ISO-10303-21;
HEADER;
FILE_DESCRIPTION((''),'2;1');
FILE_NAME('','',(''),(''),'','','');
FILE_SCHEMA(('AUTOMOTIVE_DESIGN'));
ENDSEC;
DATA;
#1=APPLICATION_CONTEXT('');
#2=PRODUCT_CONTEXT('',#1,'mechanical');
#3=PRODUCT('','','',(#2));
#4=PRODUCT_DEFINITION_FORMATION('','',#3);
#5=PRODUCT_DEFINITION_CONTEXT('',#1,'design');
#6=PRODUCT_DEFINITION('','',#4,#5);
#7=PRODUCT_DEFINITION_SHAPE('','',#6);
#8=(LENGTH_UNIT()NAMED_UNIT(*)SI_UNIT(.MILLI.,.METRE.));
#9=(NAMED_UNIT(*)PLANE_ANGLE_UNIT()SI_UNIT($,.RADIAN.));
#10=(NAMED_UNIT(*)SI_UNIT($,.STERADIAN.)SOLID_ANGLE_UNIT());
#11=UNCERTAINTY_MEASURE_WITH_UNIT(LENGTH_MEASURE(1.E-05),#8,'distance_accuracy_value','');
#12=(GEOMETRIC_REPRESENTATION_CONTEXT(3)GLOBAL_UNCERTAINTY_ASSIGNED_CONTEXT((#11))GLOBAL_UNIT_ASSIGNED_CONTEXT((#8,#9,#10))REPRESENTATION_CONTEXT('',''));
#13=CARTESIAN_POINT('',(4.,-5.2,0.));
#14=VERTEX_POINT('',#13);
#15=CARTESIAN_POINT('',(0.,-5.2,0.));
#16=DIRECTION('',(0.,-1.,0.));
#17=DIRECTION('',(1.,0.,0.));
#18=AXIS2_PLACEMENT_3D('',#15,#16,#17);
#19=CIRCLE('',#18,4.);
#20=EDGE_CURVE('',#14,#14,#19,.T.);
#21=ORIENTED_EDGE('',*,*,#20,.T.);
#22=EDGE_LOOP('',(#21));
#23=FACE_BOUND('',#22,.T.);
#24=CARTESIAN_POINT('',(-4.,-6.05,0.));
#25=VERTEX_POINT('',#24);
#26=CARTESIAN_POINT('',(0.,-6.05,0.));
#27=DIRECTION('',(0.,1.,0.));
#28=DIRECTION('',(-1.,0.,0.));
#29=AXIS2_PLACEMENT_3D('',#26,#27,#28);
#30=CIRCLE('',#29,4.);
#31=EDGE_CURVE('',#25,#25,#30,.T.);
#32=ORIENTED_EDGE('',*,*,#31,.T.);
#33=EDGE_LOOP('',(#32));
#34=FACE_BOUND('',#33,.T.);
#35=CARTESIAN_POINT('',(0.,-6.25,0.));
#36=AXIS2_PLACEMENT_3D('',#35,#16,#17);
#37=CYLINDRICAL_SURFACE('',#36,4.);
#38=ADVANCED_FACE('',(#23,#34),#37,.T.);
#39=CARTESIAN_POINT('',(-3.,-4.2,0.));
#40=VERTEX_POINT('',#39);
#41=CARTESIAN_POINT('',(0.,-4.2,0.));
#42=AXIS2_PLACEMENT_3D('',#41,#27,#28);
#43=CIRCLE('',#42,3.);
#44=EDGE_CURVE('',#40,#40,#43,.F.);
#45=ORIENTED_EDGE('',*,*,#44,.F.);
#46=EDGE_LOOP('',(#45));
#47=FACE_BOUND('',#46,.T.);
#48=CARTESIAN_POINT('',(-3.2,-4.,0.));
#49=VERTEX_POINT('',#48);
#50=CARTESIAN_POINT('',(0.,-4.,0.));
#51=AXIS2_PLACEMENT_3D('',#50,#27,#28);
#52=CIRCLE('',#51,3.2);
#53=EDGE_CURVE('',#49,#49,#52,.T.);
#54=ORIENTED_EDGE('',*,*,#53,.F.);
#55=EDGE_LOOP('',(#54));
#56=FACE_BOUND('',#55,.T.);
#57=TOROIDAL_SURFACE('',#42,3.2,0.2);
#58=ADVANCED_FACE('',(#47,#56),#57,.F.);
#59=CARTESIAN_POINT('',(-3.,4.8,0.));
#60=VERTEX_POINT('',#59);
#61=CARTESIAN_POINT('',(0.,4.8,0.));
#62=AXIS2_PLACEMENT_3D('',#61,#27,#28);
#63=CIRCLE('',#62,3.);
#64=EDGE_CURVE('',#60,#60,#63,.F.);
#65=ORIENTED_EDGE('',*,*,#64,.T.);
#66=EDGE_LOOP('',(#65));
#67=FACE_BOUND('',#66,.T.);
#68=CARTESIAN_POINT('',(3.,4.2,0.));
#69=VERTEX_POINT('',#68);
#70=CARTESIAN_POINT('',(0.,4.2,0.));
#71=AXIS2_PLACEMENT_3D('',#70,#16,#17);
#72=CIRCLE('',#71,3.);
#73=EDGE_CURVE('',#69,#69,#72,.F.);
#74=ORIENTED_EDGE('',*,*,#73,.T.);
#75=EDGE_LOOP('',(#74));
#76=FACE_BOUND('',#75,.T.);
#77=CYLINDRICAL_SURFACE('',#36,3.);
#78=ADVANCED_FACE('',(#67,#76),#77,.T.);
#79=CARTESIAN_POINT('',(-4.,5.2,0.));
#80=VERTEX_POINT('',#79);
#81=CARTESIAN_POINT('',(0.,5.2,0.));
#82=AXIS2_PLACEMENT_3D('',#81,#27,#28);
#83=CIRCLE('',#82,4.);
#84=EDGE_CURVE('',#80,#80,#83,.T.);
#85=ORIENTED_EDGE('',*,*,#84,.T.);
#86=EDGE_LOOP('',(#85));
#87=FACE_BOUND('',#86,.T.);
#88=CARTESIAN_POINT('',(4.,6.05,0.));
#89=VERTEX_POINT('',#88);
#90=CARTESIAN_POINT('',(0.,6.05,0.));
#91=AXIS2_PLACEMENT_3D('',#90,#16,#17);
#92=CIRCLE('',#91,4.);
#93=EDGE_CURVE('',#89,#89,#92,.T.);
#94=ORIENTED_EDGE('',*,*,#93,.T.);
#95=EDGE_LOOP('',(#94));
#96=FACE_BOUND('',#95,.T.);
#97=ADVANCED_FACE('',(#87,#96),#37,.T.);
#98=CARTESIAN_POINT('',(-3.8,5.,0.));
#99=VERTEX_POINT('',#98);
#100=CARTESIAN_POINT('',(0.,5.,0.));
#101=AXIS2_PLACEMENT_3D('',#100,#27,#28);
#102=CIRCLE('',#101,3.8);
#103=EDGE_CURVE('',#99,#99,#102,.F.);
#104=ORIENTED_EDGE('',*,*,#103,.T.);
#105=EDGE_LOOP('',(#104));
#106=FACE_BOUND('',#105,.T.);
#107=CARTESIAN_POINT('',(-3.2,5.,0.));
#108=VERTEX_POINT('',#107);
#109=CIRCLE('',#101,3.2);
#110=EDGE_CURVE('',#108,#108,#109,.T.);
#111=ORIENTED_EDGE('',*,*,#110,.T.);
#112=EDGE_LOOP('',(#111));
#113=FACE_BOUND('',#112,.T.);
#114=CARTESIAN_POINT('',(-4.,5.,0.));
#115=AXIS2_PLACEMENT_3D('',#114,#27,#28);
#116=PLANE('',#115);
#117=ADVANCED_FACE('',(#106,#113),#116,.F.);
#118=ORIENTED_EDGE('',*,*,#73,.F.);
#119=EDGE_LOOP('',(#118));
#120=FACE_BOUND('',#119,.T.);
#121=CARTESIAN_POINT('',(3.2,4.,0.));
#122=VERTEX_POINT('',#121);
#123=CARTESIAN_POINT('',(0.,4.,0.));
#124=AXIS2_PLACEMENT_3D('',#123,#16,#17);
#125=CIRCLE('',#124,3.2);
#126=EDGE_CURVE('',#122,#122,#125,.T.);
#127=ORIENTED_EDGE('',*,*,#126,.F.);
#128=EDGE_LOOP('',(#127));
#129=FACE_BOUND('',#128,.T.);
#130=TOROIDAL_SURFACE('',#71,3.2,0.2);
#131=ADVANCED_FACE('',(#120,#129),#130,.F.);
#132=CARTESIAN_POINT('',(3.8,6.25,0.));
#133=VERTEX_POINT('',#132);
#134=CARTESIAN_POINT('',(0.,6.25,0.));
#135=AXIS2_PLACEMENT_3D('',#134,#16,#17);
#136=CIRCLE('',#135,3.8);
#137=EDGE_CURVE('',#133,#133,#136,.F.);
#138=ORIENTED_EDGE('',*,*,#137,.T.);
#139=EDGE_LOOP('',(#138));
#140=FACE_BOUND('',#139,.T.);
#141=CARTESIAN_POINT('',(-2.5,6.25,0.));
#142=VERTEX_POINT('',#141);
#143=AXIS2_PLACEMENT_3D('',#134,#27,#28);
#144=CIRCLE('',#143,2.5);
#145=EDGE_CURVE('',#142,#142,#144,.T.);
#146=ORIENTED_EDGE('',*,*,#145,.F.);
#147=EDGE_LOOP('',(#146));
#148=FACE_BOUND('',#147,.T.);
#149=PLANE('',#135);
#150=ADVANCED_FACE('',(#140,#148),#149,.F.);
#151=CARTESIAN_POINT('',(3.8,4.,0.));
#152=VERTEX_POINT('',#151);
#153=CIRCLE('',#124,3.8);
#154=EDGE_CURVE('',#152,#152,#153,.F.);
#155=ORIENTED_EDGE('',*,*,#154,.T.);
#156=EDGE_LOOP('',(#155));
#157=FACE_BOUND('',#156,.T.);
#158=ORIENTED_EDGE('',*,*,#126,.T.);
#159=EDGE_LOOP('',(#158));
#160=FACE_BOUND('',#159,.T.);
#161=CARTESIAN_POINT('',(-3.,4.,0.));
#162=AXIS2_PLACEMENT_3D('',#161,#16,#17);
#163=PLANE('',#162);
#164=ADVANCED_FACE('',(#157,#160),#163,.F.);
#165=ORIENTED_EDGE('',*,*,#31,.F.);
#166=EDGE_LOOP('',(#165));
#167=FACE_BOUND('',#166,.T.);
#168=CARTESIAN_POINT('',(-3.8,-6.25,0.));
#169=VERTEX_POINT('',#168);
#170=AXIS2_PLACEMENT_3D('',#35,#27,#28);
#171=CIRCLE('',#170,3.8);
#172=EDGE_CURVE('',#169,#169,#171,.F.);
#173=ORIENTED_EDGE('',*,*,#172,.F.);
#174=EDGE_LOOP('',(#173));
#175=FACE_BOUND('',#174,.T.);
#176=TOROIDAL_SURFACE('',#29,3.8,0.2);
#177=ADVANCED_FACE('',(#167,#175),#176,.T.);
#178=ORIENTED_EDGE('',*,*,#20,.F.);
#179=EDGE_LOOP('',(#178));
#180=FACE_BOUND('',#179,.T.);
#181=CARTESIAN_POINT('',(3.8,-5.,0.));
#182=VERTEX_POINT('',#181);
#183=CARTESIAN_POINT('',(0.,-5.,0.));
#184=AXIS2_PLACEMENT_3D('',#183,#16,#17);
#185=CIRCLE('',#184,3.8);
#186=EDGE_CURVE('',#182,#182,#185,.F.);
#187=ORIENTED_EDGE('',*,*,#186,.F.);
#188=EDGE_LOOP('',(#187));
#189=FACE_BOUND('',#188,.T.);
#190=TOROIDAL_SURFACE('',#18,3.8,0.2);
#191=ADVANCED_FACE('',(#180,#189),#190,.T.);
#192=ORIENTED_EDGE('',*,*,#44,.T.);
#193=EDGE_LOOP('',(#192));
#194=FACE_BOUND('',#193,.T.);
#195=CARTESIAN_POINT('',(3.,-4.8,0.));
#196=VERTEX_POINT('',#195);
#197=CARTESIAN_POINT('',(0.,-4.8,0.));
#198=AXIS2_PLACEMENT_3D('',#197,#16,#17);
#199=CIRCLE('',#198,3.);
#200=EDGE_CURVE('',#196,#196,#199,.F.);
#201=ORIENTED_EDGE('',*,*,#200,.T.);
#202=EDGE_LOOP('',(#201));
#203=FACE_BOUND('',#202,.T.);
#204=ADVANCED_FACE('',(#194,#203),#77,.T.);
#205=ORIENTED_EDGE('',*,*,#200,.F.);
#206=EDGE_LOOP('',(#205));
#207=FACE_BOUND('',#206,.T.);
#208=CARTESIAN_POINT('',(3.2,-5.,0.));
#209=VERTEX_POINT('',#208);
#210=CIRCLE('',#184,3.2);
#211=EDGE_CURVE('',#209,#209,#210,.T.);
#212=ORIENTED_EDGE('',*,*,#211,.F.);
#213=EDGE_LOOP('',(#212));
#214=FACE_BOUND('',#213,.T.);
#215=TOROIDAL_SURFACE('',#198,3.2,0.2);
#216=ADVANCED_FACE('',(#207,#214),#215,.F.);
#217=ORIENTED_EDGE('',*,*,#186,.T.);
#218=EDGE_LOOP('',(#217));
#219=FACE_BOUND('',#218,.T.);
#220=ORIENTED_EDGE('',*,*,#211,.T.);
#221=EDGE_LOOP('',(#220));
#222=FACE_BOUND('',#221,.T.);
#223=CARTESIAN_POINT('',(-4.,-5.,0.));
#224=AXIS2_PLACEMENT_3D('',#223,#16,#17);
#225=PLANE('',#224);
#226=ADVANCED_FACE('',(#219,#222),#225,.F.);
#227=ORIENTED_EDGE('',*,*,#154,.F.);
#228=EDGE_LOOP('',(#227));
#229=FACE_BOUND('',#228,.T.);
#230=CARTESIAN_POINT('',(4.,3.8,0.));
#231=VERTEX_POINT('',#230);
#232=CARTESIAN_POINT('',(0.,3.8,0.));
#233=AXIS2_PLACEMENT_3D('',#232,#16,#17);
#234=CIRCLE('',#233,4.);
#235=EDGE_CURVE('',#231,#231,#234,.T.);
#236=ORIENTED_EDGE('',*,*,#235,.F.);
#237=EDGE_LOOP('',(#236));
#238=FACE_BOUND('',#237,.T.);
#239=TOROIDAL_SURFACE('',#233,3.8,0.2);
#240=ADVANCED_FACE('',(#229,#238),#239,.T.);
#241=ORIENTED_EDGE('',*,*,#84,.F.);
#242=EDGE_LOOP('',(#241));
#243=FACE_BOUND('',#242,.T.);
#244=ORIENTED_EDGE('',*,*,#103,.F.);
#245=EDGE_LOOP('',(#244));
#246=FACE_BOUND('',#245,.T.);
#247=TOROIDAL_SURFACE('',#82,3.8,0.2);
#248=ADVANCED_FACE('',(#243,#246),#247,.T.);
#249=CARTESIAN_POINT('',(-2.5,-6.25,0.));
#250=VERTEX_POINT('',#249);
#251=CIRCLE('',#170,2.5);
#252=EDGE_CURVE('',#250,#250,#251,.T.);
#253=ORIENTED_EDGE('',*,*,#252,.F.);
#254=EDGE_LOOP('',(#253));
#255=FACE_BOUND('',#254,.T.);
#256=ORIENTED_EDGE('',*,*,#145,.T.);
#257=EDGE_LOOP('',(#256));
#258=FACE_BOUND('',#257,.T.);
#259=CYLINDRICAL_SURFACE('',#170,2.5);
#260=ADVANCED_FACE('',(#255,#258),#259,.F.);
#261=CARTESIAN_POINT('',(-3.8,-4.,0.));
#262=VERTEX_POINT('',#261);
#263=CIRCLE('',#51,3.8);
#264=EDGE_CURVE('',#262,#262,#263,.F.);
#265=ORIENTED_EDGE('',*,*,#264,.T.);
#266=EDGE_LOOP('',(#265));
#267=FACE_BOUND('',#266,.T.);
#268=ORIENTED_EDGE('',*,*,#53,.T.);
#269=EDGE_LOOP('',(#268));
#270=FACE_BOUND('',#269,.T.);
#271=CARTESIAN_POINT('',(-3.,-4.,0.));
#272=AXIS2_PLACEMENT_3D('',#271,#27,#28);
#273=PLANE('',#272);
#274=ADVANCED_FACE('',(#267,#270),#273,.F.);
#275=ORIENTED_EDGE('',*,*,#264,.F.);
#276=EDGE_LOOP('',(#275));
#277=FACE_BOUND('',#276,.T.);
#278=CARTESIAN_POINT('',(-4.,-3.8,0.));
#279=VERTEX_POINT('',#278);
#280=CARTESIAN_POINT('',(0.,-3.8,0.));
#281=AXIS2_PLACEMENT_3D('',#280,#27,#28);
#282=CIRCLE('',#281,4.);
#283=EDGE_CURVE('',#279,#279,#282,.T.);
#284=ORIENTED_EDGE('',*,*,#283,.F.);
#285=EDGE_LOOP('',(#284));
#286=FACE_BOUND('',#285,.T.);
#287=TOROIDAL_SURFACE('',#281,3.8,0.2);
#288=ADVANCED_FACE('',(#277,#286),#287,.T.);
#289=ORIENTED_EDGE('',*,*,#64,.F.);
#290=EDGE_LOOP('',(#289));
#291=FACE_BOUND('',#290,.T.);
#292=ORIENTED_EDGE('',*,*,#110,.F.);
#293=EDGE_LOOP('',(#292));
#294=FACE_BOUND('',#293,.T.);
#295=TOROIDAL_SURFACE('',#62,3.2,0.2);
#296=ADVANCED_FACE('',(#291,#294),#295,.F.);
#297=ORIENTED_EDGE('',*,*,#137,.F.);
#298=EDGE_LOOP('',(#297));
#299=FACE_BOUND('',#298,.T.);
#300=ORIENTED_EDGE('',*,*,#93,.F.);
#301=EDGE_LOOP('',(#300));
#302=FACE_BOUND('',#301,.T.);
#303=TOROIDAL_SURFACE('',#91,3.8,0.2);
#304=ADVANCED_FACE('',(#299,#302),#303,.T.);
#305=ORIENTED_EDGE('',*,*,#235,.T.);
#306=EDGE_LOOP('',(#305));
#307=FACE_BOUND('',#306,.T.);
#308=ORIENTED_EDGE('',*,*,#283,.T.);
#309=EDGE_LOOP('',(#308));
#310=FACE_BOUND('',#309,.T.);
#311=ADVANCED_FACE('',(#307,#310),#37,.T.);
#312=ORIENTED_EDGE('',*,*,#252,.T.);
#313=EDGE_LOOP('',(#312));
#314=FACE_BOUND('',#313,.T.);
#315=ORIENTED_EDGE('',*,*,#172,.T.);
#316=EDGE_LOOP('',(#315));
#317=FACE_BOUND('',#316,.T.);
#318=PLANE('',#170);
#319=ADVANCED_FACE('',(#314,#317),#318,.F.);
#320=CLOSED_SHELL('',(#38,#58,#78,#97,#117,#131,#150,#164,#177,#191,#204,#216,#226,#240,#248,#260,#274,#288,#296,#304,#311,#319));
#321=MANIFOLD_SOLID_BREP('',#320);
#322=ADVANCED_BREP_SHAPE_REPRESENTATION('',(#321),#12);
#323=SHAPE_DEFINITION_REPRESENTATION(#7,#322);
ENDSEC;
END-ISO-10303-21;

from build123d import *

# Parameters (mm, degrees)
FILLET1_R          = 0.2
SKETCH2_R          = 2.5
CUT_EXTRUDE1_DEPTH = 14.720422792


with BuildPart() as part:
    # Sketch1 → Revolve1 (revolve)
    with BuildSketch(Plane.XY, mode=Mode.PRIVATE) as revolve1_sk:
        Polygon((0, 6.25), (-4, 6.25), (-4, 5), (-3, 5), (-3, 4), (-4, 4), (-4, -4), (-3, -4), (-3, -5), (-4, -5), (-4, -6.25), (0, -6.25), align=None)
    revolve(revolve1_sk.sketch.rotate(Axis((0, -6.25, 0), (0, 1, 0)), 180), axis=Axis((0, -6.25, 0), (0, 1, 0)))

    # Fillet1
    fillet1_edges = [part.edges().sort_by_distance(p)[0] for p in [
        (-3, -4, 0),
        (-4, -4, 0),
        (-4, 4, 0),
        (-3, 4, 0),
        (-3, 5, 0),
        (-4, 5, 0),
        (-4, 6.25, 0),
        (-4, -6.25, 0),
        (-4, -5, 0),
        (-3, -5, 0),
    ]]
    fillet(fillet1_edges, radius=FILLET1_R)

    # Sketch2 → Cut-Extrude1 (cut, through all)
    with BuildSketch(Plane(origin=(0, 6.25, 0), x_dir=(1, 0, 0), z_dir=(0, 1, 0))):
        with Locations(Location((0, 0, 0), (0, 0, 180))):
            Circle(SKETCH2_R)
    extrude(amount=-CUT_EXTRUDE1_DEPTH, mode=Mode.SUBTRACT)


solid = part.part
